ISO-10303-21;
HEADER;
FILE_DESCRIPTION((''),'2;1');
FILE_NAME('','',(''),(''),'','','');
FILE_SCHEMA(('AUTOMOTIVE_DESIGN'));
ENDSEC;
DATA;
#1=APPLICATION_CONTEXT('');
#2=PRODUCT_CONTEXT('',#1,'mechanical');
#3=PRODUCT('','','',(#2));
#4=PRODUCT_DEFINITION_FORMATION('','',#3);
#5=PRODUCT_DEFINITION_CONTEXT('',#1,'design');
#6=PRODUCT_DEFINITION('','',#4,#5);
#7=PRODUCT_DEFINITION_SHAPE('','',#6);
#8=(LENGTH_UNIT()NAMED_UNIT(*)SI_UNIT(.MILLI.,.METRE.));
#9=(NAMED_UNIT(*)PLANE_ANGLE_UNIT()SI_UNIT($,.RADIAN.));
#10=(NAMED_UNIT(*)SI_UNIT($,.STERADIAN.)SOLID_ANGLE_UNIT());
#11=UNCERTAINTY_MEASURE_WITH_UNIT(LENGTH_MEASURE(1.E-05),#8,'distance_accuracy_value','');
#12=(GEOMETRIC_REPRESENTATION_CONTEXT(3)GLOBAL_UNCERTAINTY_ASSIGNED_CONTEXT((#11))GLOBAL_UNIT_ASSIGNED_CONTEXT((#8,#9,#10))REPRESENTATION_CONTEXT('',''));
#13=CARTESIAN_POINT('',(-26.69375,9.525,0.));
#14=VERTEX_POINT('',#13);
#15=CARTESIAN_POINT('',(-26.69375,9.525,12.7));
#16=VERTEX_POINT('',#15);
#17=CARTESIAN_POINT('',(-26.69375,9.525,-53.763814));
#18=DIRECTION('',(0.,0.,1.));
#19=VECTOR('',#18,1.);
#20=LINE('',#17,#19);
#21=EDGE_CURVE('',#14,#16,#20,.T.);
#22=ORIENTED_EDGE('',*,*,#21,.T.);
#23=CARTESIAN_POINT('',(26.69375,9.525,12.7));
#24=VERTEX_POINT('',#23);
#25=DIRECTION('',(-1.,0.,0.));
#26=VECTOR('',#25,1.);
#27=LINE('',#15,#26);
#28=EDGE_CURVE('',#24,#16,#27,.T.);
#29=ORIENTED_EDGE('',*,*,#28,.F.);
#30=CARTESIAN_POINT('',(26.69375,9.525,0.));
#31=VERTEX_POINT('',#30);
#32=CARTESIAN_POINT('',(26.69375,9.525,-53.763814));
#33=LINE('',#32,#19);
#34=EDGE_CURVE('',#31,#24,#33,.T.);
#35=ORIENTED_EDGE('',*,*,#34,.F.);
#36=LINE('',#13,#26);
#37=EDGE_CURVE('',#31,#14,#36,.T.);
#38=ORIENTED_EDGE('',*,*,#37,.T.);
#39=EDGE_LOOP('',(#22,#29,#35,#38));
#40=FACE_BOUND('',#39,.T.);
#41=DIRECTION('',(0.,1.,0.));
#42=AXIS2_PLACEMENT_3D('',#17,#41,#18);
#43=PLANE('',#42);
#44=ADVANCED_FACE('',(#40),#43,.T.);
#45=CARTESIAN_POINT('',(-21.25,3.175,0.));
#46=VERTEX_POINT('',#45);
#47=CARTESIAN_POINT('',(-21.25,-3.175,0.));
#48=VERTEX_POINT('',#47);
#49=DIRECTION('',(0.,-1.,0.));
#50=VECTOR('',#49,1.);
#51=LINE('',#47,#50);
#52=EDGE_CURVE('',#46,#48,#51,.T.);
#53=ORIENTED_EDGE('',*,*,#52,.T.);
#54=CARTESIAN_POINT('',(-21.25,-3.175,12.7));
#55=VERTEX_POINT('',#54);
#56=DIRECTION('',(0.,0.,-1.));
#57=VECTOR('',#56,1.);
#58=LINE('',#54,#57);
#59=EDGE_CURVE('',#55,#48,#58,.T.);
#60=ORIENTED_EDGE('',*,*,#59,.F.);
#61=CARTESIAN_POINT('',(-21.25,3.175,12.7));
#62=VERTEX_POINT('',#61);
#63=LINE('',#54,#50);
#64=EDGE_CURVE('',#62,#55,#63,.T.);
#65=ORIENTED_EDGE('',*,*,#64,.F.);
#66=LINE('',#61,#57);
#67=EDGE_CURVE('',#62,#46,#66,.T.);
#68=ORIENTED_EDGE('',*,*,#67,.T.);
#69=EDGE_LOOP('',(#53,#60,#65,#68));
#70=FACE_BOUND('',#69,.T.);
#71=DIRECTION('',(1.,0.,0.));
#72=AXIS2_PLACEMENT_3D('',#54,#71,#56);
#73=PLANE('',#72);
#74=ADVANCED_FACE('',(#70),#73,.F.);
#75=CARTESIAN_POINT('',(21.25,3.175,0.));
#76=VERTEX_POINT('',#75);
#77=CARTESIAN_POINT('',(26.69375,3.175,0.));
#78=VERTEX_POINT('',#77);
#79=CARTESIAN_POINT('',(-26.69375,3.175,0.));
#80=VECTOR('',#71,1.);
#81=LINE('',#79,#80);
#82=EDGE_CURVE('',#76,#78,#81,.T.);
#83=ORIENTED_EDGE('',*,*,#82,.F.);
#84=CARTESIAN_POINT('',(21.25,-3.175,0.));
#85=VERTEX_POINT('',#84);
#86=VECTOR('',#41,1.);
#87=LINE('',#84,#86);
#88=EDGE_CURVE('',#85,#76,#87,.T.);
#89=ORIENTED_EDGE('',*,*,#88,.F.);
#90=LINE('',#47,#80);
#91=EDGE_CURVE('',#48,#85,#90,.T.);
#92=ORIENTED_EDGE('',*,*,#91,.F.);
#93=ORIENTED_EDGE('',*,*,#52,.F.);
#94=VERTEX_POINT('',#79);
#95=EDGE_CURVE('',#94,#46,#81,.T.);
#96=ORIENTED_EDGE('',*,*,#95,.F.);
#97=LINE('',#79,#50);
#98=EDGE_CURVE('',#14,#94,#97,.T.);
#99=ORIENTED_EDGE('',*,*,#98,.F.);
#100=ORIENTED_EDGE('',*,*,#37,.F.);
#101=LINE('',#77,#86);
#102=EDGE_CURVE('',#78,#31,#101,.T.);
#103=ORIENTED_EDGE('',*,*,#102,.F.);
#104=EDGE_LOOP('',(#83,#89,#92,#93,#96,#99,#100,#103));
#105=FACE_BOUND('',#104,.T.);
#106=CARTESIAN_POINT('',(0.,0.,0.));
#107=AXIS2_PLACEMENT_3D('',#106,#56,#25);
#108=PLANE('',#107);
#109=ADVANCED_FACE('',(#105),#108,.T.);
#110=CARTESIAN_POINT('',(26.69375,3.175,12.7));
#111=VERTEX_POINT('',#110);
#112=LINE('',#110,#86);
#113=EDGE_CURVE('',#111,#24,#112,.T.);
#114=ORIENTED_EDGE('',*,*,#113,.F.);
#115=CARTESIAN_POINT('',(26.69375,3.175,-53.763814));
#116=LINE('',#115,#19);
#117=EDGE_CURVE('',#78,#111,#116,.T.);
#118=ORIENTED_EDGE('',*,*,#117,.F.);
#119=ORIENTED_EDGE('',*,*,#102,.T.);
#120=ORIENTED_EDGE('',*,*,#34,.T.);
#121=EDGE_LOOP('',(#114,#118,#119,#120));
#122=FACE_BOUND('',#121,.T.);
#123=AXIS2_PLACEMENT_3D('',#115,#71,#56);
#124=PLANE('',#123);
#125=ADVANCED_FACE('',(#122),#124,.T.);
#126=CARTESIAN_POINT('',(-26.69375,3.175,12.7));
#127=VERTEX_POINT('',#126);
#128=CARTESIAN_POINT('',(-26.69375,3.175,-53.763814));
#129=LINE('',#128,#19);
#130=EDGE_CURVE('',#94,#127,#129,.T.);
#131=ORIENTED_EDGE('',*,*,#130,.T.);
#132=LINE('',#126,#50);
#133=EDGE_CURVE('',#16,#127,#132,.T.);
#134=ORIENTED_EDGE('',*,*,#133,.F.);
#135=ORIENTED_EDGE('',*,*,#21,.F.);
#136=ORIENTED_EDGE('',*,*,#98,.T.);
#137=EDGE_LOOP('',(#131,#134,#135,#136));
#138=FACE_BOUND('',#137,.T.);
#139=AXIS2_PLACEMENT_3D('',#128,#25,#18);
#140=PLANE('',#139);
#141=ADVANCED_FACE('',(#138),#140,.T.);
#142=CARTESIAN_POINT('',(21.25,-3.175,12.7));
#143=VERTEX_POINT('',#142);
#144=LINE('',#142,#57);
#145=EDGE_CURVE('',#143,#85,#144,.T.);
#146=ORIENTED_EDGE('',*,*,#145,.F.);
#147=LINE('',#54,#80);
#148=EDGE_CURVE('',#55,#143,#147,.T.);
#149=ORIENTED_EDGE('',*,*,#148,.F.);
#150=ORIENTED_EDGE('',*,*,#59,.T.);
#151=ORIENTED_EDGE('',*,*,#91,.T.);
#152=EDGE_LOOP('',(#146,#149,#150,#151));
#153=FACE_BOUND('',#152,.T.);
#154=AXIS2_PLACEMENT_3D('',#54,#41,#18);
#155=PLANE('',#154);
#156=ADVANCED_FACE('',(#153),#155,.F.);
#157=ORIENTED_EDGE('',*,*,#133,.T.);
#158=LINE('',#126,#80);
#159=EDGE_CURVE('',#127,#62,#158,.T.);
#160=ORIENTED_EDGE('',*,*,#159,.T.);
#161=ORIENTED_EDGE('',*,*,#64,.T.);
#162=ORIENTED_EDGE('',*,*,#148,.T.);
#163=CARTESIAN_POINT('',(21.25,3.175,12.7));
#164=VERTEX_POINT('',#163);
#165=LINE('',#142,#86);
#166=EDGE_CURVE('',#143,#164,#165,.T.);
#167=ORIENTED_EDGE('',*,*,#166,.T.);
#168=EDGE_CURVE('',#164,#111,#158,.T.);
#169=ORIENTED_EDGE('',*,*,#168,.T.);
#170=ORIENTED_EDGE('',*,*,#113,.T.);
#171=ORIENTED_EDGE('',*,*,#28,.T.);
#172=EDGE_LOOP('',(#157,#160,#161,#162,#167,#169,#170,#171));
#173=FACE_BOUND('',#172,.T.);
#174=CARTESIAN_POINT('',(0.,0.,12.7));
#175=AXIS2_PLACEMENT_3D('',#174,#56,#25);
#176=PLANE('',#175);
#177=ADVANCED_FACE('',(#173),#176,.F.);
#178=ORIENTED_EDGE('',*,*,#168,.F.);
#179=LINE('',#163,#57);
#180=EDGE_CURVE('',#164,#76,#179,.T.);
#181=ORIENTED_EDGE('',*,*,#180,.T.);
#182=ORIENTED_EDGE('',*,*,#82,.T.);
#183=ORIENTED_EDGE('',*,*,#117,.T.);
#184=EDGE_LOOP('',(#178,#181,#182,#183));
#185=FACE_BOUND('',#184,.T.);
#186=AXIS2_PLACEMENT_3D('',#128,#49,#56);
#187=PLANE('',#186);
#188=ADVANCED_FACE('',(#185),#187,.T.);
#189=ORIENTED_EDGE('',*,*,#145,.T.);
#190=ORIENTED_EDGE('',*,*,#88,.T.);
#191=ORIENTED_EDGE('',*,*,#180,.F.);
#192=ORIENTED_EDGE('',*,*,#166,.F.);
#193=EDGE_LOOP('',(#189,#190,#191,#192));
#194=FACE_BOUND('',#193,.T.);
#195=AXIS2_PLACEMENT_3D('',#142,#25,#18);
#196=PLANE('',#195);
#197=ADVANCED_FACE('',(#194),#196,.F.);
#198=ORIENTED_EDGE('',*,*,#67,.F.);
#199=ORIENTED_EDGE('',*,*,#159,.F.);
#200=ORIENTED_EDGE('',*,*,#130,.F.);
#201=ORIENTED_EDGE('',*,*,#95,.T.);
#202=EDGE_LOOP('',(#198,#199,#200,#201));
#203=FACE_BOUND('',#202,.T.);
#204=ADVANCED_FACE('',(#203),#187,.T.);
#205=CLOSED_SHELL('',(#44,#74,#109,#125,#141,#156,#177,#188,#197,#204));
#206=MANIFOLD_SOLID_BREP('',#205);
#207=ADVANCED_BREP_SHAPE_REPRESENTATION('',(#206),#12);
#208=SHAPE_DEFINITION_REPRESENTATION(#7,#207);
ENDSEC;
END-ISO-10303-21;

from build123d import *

# Parameters (mm, degrees)
SKETCH1_W           = 42.5
SKETCH1_H           = 6.35
BOSS_EXTRUDE1_DEPTH = 12.7
SKETCH2_W           = 53.3875
SKETCH2_H           = 6.35
BOSS_EXTRUDE2_DEPTH = 12.7


with BuildPart() as part:
    # Sketch1 → Boss-Extrude1 (new body)
    with BuildSketch(Plane.XY):
        Rectangle(SKETCH1_W, SKETCH1_H)
    extrude(amount=BOSS_EXTRUDE1_DEPTH)

    # Sketch2 → Boss-Extrude2 (add)
    with BuildSketch(Plane.XY.offset(12.7)):
        with Locations((0, 6.35)):
            Rectangle(SKETCH2_W, SKETCH2_H)
    extrude(amount=-BOSS_EXTRUDE2_DEPTH)


solid = part.part
